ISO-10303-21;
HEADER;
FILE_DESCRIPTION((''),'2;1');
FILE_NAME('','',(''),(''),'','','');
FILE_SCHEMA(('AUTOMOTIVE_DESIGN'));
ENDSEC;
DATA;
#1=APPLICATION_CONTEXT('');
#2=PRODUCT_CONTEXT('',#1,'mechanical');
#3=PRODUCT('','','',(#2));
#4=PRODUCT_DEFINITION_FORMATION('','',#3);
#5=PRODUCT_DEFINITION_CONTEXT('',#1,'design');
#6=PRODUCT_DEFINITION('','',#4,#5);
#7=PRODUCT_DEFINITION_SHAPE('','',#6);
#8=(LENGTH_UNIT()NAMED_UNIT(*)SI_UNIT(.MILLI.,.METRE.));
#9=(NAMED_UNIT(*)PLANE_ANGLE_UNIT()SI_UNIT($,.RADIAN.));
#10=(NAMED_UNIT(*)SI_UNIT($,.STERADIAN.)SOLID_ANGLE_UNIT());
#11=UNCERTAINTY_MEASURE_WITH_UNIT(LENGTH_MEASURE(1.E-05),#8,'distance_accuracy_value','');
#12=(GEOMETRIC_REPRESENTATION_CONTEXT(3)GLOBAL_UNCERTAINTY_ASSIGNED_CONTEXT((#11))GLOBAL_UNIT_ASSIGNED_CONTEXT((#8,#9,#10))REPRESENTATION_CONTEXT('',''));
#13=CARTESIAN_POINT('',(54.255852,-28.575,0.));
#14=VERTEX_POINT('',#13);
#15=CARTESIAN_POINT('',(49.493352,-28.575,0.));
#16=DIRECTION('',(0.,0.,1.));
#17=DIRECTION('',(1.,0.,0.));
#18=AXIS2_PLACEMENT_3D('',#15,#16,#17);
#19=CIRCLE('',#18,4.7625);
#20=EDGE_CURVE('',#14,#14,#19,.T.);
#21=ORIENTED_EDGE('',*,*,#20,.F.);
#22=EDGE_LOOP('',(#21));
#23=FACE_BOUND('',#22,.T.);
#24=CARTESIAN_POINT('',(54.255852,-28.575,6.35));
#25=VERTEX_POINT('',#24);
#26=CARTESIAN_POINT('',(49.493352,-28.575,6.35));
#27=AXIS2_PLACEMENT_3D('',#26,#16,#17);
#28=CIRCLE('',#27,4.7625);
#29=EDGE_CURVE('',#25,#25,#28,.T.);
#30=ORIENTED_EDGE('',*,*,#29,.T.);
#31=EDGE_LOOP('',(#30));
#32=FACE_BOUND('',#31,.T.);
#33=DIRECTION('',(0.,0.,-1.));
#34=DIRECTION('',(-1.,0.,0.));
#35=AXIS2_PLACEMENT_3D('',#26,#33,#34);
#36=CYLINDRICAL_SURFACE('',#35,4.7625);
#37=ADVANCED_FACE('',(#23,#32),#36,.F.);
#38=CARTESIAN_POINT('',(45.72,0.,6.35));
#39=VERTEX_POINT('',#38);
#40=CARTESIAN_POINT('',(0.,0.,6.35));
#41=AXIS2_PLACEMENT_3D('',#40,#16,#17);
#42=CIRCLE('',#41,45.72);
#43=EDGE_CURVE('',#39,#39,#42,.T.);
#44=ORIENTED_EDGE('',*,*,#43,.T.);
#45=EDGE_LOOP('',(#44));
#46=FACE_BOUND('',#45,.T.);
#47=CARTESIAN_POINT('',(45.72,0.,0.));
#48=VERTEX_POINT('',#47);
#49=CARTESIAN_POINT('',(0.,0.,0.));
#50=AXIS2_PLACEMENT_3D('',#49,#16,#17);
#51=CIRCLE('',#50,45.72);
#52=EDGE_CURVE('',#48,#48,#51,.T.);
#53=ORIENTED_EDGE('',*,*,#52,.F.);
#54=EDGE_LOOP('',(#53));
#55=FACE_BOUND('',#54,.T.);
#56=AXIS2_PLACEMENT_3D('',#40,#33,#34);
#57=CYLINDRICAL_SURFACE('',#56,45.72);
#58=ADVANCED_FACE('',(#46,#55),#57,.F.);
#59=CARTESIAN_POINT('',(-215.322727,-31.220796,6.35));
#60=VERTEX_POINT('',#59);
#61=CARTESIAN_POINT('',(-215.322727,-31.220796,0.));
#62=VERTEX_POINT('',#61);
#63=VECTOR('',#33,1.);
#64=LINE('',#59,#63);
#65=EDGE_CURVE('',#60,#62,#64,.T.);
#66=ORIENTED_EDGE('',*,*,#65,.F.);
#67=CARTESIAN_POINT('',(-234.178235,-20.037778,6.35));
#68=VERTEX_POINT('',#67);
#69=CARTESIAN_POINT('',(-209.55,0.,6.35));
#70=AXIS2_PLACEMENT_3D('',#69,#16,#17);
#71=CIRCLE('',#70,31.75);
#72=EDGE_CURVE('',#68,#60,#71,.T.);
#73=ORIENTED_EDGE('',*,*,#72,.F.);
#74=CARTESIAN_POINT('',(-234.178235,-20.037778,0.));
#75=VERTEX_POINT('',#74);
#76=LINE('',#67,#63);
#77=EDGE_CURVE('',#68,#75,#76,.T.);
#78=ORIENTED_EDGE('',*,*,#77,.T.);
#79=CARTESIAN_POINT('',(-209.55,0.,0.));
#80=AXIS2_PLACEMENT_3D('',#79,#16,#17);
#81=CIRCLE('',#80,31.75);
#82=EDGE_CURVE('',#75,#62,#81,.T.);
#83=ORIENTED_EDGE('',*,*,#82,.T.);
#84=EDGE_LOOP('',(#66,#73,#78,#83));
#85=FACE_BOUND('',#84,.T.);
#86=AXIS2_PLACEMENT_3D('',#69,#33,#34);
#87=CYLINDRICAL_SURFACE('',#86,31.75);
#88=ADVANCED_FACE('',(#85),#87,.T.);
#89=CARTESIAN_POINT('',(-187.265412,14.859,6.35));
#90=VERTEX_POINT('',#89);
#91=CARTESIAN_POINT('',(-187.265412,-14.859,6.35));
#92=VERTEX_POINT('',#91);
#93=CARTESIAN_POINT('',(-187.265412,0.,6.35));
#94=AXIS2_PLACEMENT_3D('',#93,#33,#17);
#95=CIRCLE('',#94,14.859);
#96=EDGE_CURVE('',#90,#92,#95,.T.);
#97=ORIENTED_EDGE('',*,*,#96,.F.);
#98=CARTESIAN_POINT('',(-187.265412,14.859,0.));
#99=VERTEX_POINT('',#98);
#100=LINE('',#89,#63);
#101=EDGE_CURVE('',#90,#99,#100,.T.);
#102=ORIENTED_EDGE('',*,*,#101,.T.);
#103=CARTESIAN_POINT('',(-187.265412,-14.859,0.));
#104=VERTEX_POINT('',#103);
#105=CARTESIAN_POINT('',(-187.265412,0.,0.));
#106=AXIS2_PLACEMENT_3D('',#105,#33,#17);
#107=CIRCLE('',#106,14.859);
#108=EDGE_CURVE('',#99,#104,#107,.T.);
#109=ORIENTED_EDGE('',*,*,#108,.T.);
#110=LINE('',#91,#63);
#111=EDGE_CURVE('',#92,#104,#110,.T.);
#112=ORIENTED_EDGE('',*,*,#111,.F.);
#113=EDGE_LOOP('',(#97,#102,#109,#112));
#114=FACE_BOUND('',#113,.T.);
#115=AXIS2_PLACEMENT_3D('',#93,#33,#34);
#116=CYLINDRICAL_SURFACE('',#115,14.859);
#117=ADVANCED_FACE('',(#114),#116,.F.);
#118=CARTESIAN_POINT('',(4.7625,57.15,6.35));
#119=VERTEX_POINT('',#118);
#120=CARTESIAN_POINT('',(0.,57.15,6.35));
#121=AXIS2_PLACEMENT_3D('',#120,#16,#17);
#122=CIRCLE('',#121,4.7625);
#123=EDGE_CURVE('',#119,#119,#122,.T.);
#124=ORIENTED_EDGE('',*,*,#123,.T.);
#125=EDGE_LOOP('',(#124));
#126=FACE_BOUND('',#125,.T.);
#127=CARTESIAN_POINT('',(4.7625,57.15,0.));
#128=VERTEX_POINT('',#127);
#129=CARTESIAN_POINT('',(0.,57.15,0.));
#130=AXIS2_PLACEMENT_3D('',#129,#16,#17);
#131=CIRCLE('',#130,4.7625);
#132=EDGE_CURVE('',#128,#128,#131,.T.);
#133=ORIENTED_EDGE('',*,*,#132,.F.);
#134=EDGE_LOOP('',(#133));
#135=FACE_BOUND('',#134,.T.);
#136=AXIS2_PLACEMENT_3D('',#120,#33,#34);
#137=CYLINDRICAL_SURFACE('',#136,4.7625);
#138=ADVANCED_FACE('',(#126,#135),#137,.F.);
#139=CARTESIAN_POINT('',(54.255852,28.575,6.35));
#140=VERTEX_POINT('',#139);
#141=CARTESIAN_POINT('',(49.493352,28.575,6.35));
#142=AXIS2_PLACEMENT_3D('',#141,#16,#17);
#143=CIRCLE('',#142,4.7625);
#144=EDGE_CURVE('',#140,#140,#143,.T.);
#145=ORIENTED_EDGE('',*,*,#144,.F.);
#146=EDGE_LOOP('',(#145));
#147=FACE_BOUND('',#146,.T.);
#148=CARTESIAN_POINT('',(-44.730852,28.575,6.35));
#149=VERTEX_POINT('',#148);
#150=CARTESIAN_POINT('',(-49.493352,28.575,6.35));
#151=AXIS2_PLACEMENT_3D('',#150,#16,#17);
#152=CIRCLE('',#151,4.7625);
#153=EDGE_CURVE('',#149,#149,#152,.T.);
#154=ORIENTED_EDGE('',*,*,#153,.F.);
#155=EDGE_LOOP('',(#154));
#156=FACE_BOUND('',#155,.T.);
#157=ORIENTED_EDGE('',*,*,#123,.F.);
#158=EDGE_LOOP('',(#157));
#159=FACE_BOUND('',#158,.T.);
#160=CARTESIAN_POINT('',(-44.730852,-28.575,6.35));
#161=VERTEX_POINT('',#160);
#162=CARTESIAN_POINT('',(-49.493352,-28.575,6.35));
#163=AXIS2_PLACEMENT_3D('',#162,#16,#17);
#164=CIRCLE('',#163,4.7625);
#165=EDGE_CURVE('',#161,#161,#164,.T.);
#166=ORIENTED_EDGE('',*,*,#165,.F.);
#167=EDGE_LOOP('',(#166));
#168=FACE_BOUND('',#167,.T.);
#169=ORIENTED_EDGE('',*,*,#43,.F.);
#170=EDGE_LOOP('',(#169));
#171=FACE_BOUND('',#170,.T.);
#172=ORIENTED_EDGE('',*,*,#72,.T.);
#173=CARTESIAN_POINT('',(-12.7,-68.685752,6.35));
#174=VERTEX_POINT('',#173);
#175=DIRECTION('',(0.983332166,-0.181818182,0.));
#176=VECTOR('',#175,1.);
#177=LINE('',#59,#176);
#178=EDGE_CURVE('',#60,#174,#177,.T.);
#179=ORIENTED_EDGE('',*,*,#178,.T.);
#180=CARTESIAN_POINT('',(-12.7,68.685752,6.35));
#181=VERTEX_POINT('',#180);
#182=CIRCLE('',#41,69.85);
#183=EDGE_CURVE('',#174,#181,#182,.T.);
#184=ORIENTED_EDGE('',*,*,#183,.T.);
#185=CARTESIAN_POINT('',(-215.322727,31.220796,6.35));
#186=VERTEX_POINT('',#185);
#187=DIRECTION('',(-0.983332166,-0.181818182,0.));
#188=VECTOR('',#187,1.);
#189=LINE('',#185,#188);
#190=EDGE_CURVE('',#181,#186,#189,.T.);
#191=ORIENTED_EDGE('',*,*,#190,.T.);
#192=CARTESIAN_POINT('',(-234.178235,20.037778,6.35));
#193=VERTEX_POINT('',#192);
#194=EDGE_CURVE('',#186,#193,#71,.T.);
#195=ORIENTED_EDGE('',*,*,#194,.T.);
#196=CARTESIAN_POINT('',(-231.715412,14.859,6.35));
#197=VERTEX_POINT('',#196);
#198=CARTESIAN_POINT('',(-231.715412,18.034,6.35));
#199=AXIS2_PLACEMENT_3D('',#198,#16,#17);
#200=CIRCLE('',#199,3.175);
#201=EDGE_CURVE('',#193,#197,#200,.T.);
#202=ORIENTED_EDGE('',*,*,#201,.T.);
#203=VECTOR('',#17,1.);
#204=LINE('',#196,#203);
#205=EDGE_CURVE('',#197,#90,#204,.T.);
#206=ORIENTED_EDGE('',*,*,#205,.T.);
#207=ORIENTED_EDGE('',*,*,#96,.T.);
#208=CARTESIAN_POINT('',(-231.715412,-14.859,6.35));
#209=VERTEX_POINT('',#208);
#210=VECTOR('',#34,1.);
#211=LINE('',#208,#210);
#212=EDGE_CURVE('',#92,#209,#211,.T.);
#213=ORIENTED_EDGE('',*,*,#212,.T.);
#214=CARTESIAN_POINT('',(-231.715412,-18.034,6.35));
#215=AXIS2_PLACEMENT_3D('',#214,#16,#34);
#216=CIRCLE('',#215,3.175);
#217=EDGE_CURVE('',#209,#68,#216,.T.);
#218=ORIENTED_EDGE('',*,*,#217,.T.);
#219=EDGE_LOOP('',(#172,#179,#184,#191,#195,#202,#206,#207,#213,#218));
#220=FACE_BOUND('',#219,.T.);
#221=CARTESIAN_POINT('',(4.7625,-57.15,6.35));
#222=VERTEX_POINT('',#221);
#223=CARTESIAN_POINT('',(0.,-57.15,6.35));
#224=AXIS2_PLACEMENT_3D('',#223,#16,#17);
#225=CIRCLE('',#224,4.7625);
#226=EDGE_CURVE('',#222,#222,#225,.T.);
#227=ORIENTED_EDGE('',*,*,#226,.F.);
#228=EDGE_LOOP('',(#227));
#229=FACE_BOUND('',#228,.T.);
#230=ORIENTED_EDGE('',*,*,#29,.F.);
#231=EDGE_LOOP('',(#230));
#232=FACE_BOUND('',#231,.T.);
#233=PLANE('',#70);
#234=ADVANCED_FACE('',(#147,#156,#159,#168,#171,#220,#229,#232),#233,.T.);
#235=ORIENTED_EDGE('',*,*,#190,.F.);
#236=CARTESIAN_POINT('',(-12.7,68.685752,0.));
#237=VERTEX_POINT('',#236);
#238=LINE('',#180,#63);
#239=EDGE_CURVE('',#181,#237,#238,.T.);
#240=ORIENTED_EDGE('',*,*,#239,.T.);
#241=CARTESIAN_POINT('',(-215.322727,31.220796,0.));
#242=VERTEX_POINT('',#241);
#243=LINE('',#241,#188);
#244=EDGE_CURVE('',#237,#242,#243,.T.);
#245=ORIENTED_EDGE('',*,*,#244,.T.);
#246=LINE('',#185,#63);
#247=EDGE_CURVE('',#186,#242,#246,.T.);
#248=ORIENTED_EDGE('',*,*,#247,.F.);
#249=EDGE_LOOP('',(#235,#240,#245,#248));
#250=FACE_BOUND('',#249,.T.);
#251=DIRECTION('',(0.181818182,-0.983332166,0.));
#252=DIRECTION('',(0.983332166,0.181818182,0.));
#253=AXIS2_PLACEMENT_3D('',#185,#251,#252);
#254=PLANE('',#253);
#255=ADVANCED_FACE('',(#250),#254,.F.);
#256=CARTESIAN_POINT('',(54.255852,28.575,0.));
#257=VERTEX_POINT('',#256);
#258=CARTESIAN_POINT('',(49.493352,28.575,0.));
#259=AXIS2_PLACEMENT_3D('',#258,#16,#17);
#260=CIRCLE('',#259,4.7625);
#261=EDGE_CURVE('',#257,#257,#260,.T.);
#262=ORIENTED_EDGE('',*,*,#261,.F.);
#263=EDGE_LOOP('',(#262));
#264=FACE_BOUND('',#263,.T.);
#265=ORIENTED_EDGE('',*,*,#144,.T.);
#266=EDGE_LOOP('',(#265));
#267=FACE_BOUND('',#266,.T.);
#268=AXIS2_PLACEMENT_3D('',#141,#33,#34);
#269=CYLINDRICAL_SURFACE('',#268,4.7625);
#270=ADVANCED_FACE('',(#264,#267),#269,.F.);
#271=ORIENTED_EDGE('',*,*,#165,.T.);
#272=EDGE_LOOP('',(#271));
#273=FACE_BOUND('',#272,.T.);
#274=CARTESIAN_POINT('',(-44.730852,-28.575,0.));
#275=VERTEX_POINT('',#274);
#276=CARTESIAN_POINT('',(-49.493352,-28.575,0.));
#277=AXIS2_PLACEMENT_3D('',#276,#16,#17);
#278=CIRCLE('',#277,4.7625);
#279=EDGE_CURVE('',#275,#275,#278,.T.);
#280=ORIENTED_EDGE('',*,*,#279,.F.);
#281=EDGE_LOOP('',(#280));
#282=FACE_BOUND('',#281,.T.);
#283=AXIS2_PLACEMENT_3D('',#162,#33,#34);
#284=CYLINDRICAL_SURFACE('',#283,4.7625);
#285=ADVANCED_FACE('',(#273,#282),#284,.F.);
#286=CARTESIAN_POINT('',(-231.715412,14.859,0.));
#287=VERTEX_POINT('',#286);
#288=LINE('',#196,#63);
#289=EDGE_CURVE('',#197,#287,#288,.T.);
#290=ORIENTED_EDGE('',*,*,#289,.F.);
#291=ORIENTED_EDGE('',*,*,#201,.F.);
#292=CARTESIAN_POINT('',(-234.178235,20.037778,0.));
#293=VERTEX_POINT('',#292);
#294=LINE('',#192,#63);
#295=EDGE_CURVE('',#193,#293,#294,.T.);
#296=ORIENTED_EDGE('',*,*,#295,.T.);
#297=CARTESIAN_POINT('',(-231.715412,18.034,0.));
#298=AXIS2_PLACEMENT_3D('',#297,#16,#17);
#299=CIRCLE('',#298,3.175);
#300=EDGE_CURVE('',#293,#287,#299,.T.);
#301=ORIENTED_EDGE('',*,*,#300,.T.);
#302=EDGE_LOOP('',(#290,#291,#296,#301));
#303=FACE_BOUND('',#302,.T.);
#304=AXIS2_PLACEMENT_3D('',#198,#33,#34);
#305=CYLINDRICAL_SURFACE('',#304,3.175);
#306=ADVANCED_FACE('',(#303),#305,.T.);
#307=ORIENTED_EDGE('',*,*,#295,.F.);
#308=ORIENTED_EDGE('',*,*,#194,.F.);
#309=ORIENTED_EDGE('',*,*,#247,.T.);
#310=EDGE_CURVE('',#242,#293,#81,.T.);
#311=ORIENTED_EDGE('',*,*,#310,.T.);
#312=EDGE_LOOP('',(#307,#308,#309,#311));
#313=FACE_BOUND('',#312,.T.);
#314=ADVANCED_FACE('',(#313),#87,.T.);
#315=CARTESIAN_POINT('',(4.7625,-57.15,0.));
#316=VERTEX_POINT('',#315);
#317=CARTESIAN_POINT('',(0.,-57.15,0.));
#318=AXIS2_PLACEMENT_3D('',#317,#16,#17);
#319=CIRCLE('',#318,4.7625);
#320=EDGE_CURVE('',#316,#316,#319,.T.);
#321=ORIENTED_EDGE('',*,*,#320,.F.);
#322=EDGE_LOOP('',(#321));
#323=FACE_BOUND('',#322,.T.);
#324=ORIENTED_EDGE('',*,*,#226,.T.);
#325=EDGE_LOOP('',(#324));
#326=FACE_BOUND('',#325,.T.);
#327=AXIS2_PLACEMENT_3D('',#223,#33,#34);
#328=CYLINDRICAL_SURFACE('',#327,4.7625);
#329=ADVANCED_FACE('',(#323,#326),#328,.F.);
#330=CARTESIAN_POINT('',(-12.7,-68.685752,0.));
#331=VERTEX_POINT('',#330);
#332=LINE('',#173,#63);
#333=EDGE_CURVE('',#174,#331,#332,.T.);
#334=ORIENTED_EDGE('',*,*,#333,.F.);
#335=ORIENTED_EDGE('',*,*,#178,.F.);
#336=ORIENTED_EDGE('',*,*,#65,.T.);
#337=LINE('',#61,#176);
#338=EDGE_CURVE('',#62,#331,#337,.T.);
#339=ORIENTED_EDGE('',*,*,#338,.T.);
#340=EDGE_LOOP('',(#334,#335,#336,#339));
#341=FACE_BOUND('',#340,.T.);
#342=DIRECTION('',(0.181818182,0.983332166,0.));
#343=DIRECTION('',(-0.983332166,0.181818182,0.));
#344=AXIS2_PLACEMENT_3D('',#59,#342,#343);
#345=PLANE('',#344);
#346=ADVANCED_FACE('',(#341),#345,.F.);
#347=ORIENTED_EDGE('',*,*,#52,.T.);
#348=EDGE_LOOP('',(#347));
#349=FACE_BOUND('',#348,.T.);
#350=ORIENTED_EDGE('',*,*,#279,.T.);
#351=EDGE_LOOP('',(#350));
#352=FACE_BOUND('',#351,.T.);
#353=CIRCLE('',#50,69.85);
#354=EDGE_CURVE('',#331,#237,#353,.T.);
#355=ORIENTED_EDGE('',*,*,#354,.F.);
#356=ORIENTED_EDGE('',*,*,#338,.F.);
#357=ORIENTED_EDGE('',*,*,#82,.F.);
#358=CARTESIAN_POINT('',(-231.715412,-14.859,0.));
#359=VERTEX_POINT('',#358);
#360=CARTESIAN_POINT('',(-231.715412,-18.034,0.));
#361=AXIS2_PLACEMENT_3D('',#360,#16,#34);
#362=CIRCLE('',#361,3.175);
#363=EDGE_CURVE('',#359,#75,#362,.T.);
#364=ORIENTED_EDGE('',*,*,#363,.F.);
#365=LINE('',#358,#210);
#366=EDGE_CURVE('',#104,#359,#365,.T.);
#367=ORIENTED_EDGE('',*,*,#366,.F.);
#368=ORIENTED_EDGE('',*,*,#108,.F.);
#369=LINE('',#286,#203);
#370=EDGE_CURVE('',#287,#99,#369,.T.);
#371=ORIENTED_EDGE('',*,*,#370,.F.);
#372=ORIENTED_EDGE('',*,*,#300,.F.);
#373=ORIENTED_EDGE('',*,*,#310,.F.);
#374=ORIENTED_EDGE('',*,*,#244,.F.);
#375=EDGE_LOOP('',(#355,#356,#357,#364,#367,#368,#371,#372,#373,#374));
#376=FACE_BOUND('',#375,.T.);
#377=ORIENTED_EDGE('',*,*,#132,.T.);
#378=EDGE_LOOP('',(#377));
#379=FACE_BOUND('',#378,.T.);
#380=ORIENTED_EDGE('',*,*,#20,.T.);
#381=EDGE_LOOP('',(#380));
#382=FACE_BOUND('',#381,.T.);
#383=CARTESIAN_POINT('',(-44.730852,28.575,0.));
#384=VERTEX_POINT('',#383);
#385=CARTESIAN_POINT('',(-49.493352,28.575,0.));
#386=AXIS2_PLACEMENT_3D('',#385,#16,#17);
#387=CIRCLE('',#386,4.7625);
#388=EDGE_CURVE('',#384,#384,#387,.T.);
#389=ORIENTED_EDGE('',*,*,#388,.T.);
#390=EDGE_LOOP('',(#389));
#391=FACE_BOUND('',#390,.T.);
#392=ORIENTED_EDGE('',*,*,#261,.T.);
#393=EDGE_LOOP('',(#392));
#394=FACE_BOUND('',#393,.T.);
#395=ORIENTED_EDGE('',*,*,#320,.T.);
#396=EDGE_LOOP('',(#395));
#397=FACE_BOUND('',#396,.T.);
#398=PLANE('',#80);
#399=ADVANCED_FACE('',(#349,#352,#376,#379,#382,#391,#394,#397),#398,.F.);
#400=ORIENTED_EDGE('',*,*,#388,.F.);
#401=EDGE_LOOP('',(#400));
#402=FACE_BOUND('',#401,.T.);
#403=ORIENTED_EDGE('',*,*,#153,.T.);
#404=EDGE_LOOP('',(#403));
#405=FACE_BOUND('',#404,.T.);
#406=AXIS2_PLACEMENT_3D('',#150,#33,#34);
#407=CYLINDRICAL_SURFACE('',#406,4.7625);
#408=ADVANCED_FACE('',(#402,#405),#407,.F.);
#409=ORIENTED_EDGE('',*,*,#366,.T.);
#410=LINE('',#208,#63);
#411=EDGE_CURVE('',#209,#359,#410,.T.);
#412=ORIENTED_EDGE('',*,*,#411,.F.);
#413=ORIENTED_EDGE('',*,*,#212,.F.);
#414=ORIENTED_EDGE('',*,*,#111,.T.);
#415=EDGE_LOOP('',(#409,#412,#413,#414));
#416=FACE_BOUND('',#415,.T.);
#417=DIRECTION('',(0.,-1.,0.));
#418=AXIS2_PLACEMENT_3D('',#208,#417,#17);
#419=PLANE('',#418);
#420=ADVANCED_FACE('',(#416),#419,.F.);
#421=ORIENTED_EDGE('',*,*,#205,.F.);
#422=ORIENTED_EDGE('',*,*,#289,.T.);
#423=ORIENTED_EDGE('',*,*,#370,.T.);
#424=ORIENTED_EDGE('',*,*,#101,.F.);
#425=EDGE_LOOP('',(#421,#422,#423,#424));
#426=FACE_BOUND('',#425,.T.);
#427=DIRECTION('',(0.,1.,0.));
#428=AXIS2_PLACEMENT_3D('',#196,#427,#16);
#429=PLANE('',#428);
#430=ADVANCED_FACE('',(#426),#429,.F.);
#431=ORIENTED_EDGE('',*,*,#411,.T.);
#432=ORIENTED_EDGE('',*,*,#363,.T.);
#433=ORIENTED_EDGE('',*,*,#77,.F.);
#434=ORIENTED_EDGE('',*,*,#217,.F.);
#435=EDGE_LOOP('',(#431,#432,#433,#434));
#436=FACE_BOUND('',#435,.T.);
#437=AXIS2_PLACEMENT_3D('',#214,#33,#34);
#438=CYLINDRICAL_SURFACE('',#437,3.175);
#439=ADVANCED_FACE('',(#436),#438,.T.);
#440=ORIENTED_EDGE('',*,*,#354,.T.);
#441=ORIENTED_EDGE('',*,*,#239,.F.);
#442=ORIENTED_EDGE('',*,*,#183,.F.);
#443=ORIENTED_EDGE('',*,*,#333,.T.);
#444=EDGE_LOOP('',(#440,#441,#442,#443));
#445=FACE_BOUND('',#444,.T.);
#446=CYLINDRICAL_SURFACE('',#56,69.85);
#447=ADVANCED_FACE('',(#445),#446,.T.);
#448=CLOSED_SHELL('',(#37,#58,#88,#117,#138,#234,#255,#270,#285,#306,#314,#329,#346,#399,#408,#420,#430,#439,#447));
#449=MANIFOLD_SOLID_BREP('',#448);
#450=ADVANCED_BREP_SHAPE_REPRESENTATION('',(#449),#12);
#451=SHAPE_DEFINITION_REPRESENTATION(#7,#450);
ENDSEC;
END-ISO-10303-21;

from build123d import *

# Parameters (mm, degrees)
SKETCH1_R           = 4.7625
SKETCH1_R_2         = 45.72
BOSS_EXTRUDE1_DEPTH = 6.35


with BuildPart() as part:
    # Sketch1 → Boss-Extrude1 (new body)
    with BuildSketch(Plane.XY):
        with BuildLine():
            Line((-215.322727273, 31.220796272), (-12.7, 68.685751798))
            ThreePointArc((-12.7, 68.685751798), (69.85, 0), (-12.7, -68.685751798))
            Line((-12.7, -68.685751798), (-215.322727273, -31.220796272))
            ThreePointArc((-215.322727273, -31.220796272), (-225.746283623, -27.308293553), (-234.178235051, -20.037777778))
            ThreePointArc((-234.178235051, -20.037777778), (-234.582694183, -16.670432885), (-231.715411546, -14.859))
            Line((-231.715411546, -14.859), (-187.265411546, -14.859))
            ThreePointArc((-187.265411546, -14.859), (-172.406411546, 0), (-187.265411546, 14.859))
            Line((-187.265411546, 14.859), (-231.715411546, 14.859))
            ThreePointArc((-231.715411546, 14.859), (-234.582694183, 16.670432885), (-234.178235051, 20.037777778))
            ThreePointArc((-234.178235051, 20.037777778), (-225.746283623, 27.308293553), (-215.322727273, 31.220796272))
        make_face()
        with Locations((0, 57.15)):
            Circle(SKETCH1_R, mode=Mode.SUBTRACT)
        with Locations((49.493351826, 28.575)):
            Circle(SKETCH1_R, mode=Mode.SUBTRACT)
        with Locations((49.493351826, -28.575)):
            Circle(SKETCH1_R, mode=Mode.SUBTRACT)
        with Locations((0, -57.15)):
            Circle(SKETCH1_R, mode=Mode.SUBTRACT)
        with Locations((-49.493351826, -28.575)):
            Circle(SKETCH1_R, mode=Mode.SUBTRACT)
        with Locations((-49.493351826, 28.575)):
            Circle(SKETCH1_R, mode=Mode.SUBTRACT)
        Circle(SKETCH1_R_2, mode=Mode.SUBTRACT)
    extrude(amount=BOSS_EXTRUDE1_DEPTH)


solid = part.part
